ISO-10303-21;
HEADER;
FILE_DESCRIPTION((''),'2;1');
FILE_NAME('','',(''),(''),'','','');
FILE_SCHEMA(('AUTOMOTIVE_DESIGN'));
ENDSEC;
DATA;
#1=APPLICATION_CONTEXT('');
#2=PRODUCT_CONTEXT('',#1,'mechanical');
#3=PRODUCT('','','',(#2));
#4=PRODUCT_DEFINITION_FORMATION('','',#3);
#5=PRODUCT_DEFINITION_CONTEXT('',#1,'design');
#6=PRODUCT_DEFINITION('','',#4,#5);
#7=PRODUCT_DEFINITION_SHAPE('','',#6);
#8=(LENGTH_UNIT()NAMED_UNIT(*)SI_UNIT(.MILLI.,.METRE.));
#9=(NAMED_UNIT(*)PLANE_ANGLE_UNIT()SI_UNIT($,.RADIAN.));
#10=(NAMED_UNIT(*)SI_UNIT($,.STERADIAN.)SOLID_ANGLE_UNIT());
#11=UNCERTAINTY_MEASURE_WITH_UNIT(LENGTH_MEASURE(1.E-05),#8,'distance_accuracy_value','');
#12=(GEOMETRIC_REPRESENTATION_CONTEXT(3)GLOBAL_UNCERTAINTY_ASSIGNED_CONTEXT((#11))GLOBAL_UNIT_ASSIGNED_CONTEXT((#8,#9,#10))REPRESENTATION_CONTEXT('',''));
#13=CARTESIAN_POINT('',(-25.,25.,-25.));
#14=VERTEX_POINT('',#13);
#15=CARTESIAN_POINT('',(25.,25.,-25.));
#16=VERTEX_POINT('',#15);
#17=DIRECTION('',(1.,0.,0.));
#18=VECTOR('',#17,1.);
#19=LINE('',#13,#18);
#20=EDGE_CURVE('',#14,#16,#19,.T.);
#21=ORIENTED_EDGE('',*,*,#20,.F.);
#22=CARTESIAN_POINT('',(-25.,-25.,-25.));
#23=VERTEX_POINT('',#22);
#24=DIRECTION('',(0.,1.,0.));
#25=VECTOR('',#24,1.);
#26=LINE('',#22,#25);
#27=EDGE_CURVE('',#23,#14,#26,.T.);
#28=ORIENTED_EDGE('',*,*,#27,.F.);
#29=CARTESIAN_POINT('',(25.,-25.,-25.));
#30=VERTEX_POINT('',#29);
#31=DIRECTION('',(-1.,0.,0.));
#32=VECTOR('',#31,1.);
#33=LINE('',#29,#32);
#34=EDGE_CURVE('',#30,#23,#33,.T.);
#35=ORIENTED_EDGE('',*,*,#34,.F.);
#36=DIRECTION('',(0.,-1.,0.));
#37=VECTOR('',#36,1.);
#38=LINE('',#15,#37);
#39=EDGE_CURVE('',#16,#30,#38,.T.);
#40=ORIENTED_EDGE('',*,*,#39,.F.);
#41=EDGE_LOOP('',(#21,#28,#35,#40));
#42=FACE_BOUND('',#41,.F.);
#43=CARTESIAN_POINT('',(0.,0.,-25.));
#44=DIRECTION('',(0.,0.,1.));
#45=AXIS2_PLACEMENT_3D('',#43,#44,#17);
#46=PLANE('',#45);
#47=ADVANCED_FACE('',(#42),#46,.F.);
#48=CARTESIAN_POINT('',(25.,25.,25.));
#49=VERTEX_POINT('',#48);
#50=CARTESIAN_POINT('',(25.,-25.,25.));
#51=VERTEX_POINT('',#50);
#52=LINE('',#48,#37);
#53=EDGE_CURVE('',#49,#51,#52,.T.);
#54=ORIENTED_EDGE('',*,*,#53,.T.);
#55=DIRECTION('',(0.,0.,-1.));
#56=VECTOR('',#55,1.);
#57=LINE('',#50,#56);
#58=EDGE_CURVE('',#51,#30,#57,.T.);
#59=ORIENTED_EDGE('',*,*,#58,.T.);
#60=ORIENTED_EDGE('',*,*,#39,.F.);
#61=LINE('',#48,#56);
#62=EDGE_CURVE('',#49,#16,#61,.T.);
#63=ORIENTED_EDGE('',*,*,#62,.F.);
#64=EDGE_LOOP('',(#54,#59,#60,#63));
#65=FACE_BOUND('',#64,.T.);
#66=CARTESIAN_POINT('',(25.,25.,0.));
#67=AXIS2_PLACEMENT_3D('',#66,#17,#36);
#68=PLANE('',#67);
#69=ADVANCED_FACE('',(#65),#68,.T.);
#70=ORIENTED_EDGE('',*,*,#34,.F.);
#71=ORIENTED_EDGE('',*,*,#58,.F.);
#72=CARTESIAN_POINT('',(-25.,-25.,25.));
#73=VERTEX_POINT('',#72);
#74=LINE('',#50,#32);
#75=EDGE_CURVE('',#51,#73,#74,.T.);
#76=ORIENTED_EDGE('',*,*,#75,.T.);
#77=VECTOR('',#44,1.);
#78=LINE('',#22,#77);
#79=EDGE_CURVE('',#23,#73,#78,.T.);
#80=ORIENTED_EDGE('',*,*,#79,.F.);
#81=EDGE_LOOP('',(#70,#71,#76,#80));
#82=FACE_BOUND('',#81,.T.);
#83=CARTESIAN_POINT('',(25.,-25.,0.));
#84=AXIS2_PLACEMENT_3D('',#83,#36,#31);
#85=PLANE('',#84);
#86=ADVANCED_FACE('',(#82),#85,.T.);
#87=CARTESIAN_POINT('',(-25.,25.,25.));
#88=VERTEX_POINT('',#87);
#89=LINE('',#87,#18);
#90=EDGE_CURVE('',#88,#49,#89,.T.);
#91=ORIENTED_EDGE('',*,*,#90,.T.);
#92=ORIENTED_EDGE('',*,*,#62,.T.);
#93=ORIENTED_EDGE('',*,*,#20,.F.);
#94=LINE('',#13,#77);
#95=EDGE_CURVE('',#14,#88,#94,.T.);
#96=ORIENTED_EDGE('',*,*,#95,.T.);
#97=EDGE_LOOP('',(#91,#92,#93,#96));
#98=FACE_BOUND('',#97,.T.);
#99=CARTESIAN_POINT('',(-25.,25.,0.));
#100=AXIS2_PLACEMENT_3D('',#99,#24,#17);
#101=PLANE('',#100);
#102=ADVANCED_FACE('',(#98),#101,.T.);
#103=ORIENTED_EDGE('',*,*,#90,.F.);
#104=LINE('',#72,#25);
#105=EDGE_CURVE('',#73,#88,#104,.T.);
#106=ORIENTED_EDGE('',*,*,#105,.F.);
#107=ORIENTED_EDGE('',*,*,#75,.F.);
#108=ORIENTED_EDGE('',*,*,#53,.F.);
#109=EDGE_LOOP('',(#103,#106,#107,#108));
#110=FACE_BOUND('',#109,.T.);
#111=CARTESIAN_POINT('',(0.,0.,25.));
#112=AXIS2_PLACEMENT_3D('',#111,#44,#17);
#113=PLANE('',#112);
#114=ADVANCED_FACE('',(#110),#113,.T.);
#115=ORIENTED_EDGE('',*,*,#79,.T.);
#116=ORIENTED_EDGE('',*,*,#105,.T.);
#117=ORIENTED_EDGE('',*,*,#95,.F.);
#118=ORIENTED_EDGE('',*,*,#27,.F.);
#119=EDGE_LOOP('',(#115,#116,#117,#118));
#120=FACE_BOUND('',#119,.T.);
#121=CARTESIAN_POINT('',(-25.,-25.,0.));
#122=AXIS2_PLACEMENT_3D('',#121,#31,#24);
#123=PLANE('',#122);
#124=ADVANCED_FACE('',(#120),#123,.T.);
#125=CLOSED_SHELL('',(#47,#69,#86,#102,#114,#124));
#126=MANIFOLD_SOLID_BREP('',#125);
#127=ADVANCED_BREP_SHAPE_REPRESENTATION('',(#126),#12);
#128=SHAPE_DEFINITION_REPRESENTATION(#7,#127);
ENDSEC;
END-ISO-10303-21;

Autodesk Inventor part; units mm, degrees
ref_plane "YZ Plane" through (0, 0, 0) normal (1, 0, 0) x (0, 1, 0)
ref_plane "XZ Plane" through (0, 0, 0) normal (0, 1, 0) x (-1, 0, 0)
ref_plane "XY Plane" through (0, 0, 0) normal (0, 0, 1) x (1, 0, 0)
sketch "スケッチ1" plane through (0, 0, 0) normal (0, 0, 1) x (1, 0, 0)
  line L0 (-25, 25) -> (25, 25)
  line L1 (25, 25) -> (25, -25)
  line L2 (25, -25) -> (-25, -25)
  line L3 (-25, -25) -> (-25, 25)
  line L4 (-25, 25) -> (25, -25) construction
  line L5 (25, 25) -> (-25, -25) construction
  point P0 (0, 0)
  dimension "d0" = 50
  dimension "d1" = 50
extrude "押し出し1" add sketch "スケッチ1" along normal mid plane 50
properties part number "hashgeta1"
